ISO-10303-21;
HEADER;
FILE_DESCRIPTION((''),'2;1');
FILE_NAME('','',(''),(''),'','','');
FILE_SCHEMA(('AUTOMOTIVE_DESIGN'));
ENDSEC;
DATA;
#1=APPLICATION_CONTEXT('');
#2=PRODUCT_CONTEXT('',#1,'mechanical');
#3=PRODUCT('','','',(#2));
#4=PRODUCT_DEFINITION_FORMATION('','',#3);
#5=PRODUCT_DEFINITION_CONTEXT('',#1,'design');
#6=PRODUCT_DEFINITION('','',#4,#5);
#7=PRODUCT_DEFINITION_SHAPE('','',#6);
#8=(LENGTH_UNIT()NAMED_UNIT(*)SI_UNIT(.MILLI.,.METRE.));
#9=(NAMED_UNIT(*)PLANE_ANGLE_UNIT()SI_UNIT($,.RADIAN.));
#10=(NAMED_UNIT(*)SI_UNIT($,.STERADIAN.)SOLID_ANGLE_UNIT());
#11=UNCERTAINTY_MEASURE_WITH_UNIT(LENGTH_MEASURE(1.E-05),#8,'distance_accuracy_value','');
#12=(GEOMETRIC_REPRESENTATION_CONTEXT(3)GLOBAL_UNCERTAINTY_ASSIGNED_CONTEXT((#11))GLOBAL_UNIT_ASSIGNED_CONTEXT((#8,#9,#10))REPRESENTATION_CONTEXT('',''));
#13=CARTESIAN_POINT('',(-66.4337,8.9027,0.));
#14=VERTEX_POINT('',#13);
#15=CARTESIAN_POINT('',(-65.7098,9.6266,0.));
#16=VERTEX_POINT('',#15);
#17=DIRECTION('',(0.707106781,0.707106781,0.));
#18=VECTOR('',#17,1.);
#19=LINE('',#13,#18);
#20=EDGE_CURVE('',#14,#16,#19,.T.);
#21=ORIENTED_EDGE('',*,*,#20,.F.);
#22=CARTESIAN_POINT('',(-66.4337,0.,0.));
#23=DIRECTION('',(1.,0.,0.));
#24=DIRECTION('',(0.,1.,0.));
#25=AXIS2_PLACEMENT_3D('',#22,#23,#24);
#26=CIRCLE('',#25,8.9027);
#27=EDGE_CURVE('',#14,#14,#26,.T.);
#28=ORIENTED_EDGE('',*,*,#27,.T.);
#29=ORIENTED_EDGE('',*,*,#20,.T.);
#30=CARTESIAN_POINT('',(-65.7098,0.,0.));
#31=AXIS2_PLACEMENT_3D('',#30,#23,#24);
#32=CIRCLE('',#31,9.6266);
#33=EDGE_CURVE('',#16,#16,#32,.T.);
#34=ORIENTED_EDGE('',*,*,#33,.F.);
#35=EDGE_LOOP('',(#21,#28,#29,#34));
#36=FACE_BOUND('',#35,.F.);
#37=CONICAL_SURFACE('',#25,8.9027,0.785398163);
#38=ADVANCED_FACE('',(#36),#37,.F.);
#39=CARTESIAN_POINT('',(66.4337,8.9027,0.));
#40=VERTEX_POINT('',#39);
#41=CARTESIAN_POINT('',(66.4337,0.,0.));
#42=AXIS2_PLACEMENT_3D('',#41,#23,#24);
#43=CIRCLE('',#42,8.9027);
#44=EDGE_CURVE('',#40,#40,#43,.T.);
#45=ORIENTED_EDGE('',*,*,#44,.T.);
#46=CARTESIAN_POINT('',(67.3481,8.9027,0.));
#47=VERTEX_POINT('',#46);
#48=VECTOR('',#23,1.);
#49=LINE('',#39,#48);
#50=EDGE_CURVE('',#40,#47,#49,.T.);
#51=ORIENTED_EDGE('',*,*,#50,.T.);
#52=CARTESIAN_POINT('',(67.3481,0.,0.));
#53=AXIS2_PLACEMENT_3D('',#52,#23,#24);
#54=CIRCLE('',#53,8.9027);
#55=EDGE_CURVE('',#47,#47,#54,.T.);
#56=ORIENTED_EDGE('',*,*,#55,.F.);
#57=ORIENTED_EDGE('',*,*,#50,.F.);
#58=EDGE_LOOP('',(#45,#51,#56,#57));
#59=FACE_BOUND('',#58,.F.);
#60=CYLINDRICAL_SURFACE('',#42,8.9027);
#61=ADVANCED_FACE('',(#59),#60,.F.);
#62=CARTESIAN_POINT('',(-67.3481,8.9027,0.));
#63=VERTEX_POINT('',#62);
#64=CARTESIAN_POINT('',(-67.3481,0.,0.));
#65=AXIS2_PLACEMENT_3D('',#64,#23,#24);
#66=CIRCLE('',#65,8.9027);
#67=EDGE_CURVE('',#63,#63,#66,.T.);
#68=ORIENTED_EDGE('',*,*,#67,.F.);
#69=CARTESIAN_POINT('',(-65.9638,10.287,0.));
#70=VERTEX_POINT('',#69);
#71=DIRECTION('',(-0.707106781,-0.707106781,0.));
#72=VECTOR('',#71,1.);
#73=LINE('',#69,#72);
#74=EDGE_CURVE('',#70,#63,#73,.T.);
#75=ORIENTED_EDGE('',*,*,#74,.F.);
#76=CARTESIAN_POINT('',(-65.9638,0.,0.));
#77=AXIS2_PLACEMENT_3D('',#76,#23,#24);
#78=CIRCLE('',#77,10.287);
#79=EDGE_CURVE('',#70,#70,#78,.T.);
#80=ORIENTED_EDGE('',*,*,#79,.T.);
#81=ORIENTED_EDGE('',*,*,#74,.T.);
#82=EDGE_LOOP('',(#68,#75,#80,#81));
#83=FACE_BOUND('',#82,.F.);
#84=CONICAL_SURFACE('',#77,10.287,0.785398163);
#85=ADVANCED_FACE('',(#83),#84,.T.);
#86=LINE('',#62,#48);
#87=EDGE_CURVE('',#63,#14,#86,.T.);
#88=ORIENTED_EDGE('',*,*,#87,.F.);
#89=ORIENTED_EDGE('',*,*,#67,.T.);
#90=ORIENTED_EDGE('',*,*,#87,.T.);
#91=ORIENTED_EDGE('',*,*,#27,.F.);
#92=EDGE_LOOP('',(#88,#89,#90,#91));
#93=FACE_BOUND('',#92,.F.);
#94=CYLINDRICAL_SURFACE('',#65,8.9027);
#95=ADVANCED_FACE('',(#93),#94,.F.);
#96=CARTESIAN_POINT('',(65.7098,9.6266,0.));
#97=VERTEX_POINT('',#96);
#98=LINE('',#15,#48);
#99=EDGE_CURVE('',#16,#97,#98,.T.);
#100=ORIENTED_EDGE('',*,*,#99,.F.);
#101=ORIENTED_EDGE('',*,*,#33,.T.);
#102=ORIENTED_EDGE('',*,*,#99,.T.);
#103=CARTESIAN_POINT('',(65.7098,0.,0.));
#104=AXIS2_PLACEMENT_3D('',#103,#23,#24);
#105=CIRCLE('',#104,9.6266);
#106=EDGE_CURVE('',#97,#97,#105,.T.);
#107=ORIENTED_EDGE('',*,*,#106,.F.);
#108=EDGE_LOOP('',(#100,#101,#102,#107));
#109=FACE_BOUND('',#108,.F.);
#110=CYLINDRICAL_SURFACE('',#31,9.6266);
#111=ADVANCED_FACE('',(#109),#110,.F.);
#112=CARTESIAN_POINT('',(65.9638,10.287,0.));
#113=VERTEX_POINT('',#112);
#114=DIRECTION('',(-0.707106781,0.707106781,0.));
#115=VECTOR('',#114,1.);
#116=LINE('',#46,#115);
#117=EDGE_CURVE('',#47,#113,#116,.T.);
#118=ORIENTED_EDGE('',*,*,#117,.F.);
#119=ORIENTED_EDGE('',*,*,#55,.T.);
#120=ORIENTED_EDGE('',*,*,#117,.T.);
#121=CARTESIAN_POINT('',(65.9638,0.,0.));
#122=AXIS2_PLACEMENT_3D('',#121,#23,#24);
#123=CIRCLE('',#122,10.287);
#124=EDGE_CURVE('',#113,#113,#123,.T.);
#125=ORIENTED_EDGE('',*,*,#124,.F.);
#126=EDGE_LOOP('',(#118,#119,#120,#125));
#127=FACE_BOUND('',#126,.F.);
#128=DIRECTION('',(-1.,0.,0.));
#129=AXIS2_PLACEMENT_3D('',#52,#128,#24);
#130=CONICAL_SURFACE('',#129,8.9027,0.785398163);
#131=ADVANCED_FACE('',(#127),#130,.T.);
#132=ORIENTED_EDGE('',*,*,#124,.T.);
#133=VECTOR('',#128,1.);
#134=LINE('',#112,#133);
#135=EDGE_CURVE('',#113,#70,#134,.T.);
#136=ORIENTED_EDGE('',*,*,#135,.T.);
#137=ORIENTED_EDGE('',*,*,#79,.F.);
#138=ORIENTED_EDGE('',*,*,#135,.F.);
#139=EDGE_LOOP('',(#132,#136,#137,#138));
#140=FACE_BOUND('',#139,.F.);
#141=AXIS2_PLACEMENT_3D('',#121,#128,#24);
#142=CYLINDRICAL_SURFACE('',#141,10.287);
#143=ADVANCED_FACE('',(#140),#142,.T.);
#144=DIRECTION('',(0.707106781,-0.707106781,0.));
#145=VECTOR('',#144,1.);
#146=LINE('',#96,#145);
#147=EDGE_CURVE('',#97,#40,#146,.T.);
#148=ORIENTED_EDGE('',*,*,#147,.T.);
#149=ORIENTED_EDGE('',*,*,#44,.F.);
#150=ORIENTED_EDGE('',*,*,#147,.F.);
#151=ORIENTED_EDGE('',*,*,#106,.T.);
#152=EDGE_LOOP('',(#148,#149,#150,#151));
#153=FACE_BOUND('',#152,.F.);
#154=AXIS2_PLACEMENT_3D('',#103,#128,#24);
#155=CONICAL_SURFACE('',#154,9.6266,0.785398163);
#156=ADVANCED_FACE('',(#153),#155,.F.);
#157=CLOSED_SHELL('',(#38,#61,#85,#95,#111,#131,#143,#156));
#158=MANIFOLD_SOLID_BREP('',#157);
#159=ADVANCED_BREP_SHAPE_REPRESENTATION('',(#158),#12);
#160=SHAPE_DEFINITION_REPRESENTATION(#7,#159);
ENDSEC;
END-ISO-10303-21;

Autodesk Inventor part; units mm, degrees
sketch "Sketch_1" plane through (0, 0, 0) normal (0, 0, 1) x (1, 0, 0)
  line L0 (67.3481, 0) -> (-67.3481, 0)
  line L1 (-67.3481, 8.9027) -> (-66.4337, 8.9027)
  line L2 (-66.4337, 8.9027) -> (-65.7098, 9.6266)
  line L3 (-65.7098, 9.6266) -> (65.7098, 9.6266)
  line L4 (65.7098, 9.6266) -> (66.4337, 8.9027)
  line L5 (66.4337, 8.9027) -> (67.3481, 8.9027)
  line L6 (67.3481, 8.9027) -> (65.9638, 10.287)
  line L7 (65.9638, 10.287) -> (-65.9638, 10.287)
  line L8 (-65.9638, 10.287) -> (-67.3481, 8.9027)
revolve "Revolution1" add sketch "Sketch_1" angle 360 about axis through (67.3481, 0, 0) along (1, 0, 0)
ref_plane "cap_XY" through (67.3481, 0, 0) normal (1, 0, 0) x (0, 0, -1)
ref_plane "cap_YZ" through (67.3481, 0, 0) normal (0, 0, -1) x (0, 1, 0)
ref_plane "cap_ZX" through (67.3481, 0, 0) normal (0, 1, 0) x (1, 0, 0)
ref_plane "head_XY" through (-67.3481, 0, 0) normal (1, 0, 0) x (0, 0, -1)
ref_plane "head_YZ" through (-67.3481, 0, 0) normal (0, 0, -1) x (0, 1, 0)
ref_plane "head_ZX" through (-67.3481, 0, 0) normal (0, 1, 0) x (1, 0, 0)
properties part number "0.75-5.303x0.810_body"
